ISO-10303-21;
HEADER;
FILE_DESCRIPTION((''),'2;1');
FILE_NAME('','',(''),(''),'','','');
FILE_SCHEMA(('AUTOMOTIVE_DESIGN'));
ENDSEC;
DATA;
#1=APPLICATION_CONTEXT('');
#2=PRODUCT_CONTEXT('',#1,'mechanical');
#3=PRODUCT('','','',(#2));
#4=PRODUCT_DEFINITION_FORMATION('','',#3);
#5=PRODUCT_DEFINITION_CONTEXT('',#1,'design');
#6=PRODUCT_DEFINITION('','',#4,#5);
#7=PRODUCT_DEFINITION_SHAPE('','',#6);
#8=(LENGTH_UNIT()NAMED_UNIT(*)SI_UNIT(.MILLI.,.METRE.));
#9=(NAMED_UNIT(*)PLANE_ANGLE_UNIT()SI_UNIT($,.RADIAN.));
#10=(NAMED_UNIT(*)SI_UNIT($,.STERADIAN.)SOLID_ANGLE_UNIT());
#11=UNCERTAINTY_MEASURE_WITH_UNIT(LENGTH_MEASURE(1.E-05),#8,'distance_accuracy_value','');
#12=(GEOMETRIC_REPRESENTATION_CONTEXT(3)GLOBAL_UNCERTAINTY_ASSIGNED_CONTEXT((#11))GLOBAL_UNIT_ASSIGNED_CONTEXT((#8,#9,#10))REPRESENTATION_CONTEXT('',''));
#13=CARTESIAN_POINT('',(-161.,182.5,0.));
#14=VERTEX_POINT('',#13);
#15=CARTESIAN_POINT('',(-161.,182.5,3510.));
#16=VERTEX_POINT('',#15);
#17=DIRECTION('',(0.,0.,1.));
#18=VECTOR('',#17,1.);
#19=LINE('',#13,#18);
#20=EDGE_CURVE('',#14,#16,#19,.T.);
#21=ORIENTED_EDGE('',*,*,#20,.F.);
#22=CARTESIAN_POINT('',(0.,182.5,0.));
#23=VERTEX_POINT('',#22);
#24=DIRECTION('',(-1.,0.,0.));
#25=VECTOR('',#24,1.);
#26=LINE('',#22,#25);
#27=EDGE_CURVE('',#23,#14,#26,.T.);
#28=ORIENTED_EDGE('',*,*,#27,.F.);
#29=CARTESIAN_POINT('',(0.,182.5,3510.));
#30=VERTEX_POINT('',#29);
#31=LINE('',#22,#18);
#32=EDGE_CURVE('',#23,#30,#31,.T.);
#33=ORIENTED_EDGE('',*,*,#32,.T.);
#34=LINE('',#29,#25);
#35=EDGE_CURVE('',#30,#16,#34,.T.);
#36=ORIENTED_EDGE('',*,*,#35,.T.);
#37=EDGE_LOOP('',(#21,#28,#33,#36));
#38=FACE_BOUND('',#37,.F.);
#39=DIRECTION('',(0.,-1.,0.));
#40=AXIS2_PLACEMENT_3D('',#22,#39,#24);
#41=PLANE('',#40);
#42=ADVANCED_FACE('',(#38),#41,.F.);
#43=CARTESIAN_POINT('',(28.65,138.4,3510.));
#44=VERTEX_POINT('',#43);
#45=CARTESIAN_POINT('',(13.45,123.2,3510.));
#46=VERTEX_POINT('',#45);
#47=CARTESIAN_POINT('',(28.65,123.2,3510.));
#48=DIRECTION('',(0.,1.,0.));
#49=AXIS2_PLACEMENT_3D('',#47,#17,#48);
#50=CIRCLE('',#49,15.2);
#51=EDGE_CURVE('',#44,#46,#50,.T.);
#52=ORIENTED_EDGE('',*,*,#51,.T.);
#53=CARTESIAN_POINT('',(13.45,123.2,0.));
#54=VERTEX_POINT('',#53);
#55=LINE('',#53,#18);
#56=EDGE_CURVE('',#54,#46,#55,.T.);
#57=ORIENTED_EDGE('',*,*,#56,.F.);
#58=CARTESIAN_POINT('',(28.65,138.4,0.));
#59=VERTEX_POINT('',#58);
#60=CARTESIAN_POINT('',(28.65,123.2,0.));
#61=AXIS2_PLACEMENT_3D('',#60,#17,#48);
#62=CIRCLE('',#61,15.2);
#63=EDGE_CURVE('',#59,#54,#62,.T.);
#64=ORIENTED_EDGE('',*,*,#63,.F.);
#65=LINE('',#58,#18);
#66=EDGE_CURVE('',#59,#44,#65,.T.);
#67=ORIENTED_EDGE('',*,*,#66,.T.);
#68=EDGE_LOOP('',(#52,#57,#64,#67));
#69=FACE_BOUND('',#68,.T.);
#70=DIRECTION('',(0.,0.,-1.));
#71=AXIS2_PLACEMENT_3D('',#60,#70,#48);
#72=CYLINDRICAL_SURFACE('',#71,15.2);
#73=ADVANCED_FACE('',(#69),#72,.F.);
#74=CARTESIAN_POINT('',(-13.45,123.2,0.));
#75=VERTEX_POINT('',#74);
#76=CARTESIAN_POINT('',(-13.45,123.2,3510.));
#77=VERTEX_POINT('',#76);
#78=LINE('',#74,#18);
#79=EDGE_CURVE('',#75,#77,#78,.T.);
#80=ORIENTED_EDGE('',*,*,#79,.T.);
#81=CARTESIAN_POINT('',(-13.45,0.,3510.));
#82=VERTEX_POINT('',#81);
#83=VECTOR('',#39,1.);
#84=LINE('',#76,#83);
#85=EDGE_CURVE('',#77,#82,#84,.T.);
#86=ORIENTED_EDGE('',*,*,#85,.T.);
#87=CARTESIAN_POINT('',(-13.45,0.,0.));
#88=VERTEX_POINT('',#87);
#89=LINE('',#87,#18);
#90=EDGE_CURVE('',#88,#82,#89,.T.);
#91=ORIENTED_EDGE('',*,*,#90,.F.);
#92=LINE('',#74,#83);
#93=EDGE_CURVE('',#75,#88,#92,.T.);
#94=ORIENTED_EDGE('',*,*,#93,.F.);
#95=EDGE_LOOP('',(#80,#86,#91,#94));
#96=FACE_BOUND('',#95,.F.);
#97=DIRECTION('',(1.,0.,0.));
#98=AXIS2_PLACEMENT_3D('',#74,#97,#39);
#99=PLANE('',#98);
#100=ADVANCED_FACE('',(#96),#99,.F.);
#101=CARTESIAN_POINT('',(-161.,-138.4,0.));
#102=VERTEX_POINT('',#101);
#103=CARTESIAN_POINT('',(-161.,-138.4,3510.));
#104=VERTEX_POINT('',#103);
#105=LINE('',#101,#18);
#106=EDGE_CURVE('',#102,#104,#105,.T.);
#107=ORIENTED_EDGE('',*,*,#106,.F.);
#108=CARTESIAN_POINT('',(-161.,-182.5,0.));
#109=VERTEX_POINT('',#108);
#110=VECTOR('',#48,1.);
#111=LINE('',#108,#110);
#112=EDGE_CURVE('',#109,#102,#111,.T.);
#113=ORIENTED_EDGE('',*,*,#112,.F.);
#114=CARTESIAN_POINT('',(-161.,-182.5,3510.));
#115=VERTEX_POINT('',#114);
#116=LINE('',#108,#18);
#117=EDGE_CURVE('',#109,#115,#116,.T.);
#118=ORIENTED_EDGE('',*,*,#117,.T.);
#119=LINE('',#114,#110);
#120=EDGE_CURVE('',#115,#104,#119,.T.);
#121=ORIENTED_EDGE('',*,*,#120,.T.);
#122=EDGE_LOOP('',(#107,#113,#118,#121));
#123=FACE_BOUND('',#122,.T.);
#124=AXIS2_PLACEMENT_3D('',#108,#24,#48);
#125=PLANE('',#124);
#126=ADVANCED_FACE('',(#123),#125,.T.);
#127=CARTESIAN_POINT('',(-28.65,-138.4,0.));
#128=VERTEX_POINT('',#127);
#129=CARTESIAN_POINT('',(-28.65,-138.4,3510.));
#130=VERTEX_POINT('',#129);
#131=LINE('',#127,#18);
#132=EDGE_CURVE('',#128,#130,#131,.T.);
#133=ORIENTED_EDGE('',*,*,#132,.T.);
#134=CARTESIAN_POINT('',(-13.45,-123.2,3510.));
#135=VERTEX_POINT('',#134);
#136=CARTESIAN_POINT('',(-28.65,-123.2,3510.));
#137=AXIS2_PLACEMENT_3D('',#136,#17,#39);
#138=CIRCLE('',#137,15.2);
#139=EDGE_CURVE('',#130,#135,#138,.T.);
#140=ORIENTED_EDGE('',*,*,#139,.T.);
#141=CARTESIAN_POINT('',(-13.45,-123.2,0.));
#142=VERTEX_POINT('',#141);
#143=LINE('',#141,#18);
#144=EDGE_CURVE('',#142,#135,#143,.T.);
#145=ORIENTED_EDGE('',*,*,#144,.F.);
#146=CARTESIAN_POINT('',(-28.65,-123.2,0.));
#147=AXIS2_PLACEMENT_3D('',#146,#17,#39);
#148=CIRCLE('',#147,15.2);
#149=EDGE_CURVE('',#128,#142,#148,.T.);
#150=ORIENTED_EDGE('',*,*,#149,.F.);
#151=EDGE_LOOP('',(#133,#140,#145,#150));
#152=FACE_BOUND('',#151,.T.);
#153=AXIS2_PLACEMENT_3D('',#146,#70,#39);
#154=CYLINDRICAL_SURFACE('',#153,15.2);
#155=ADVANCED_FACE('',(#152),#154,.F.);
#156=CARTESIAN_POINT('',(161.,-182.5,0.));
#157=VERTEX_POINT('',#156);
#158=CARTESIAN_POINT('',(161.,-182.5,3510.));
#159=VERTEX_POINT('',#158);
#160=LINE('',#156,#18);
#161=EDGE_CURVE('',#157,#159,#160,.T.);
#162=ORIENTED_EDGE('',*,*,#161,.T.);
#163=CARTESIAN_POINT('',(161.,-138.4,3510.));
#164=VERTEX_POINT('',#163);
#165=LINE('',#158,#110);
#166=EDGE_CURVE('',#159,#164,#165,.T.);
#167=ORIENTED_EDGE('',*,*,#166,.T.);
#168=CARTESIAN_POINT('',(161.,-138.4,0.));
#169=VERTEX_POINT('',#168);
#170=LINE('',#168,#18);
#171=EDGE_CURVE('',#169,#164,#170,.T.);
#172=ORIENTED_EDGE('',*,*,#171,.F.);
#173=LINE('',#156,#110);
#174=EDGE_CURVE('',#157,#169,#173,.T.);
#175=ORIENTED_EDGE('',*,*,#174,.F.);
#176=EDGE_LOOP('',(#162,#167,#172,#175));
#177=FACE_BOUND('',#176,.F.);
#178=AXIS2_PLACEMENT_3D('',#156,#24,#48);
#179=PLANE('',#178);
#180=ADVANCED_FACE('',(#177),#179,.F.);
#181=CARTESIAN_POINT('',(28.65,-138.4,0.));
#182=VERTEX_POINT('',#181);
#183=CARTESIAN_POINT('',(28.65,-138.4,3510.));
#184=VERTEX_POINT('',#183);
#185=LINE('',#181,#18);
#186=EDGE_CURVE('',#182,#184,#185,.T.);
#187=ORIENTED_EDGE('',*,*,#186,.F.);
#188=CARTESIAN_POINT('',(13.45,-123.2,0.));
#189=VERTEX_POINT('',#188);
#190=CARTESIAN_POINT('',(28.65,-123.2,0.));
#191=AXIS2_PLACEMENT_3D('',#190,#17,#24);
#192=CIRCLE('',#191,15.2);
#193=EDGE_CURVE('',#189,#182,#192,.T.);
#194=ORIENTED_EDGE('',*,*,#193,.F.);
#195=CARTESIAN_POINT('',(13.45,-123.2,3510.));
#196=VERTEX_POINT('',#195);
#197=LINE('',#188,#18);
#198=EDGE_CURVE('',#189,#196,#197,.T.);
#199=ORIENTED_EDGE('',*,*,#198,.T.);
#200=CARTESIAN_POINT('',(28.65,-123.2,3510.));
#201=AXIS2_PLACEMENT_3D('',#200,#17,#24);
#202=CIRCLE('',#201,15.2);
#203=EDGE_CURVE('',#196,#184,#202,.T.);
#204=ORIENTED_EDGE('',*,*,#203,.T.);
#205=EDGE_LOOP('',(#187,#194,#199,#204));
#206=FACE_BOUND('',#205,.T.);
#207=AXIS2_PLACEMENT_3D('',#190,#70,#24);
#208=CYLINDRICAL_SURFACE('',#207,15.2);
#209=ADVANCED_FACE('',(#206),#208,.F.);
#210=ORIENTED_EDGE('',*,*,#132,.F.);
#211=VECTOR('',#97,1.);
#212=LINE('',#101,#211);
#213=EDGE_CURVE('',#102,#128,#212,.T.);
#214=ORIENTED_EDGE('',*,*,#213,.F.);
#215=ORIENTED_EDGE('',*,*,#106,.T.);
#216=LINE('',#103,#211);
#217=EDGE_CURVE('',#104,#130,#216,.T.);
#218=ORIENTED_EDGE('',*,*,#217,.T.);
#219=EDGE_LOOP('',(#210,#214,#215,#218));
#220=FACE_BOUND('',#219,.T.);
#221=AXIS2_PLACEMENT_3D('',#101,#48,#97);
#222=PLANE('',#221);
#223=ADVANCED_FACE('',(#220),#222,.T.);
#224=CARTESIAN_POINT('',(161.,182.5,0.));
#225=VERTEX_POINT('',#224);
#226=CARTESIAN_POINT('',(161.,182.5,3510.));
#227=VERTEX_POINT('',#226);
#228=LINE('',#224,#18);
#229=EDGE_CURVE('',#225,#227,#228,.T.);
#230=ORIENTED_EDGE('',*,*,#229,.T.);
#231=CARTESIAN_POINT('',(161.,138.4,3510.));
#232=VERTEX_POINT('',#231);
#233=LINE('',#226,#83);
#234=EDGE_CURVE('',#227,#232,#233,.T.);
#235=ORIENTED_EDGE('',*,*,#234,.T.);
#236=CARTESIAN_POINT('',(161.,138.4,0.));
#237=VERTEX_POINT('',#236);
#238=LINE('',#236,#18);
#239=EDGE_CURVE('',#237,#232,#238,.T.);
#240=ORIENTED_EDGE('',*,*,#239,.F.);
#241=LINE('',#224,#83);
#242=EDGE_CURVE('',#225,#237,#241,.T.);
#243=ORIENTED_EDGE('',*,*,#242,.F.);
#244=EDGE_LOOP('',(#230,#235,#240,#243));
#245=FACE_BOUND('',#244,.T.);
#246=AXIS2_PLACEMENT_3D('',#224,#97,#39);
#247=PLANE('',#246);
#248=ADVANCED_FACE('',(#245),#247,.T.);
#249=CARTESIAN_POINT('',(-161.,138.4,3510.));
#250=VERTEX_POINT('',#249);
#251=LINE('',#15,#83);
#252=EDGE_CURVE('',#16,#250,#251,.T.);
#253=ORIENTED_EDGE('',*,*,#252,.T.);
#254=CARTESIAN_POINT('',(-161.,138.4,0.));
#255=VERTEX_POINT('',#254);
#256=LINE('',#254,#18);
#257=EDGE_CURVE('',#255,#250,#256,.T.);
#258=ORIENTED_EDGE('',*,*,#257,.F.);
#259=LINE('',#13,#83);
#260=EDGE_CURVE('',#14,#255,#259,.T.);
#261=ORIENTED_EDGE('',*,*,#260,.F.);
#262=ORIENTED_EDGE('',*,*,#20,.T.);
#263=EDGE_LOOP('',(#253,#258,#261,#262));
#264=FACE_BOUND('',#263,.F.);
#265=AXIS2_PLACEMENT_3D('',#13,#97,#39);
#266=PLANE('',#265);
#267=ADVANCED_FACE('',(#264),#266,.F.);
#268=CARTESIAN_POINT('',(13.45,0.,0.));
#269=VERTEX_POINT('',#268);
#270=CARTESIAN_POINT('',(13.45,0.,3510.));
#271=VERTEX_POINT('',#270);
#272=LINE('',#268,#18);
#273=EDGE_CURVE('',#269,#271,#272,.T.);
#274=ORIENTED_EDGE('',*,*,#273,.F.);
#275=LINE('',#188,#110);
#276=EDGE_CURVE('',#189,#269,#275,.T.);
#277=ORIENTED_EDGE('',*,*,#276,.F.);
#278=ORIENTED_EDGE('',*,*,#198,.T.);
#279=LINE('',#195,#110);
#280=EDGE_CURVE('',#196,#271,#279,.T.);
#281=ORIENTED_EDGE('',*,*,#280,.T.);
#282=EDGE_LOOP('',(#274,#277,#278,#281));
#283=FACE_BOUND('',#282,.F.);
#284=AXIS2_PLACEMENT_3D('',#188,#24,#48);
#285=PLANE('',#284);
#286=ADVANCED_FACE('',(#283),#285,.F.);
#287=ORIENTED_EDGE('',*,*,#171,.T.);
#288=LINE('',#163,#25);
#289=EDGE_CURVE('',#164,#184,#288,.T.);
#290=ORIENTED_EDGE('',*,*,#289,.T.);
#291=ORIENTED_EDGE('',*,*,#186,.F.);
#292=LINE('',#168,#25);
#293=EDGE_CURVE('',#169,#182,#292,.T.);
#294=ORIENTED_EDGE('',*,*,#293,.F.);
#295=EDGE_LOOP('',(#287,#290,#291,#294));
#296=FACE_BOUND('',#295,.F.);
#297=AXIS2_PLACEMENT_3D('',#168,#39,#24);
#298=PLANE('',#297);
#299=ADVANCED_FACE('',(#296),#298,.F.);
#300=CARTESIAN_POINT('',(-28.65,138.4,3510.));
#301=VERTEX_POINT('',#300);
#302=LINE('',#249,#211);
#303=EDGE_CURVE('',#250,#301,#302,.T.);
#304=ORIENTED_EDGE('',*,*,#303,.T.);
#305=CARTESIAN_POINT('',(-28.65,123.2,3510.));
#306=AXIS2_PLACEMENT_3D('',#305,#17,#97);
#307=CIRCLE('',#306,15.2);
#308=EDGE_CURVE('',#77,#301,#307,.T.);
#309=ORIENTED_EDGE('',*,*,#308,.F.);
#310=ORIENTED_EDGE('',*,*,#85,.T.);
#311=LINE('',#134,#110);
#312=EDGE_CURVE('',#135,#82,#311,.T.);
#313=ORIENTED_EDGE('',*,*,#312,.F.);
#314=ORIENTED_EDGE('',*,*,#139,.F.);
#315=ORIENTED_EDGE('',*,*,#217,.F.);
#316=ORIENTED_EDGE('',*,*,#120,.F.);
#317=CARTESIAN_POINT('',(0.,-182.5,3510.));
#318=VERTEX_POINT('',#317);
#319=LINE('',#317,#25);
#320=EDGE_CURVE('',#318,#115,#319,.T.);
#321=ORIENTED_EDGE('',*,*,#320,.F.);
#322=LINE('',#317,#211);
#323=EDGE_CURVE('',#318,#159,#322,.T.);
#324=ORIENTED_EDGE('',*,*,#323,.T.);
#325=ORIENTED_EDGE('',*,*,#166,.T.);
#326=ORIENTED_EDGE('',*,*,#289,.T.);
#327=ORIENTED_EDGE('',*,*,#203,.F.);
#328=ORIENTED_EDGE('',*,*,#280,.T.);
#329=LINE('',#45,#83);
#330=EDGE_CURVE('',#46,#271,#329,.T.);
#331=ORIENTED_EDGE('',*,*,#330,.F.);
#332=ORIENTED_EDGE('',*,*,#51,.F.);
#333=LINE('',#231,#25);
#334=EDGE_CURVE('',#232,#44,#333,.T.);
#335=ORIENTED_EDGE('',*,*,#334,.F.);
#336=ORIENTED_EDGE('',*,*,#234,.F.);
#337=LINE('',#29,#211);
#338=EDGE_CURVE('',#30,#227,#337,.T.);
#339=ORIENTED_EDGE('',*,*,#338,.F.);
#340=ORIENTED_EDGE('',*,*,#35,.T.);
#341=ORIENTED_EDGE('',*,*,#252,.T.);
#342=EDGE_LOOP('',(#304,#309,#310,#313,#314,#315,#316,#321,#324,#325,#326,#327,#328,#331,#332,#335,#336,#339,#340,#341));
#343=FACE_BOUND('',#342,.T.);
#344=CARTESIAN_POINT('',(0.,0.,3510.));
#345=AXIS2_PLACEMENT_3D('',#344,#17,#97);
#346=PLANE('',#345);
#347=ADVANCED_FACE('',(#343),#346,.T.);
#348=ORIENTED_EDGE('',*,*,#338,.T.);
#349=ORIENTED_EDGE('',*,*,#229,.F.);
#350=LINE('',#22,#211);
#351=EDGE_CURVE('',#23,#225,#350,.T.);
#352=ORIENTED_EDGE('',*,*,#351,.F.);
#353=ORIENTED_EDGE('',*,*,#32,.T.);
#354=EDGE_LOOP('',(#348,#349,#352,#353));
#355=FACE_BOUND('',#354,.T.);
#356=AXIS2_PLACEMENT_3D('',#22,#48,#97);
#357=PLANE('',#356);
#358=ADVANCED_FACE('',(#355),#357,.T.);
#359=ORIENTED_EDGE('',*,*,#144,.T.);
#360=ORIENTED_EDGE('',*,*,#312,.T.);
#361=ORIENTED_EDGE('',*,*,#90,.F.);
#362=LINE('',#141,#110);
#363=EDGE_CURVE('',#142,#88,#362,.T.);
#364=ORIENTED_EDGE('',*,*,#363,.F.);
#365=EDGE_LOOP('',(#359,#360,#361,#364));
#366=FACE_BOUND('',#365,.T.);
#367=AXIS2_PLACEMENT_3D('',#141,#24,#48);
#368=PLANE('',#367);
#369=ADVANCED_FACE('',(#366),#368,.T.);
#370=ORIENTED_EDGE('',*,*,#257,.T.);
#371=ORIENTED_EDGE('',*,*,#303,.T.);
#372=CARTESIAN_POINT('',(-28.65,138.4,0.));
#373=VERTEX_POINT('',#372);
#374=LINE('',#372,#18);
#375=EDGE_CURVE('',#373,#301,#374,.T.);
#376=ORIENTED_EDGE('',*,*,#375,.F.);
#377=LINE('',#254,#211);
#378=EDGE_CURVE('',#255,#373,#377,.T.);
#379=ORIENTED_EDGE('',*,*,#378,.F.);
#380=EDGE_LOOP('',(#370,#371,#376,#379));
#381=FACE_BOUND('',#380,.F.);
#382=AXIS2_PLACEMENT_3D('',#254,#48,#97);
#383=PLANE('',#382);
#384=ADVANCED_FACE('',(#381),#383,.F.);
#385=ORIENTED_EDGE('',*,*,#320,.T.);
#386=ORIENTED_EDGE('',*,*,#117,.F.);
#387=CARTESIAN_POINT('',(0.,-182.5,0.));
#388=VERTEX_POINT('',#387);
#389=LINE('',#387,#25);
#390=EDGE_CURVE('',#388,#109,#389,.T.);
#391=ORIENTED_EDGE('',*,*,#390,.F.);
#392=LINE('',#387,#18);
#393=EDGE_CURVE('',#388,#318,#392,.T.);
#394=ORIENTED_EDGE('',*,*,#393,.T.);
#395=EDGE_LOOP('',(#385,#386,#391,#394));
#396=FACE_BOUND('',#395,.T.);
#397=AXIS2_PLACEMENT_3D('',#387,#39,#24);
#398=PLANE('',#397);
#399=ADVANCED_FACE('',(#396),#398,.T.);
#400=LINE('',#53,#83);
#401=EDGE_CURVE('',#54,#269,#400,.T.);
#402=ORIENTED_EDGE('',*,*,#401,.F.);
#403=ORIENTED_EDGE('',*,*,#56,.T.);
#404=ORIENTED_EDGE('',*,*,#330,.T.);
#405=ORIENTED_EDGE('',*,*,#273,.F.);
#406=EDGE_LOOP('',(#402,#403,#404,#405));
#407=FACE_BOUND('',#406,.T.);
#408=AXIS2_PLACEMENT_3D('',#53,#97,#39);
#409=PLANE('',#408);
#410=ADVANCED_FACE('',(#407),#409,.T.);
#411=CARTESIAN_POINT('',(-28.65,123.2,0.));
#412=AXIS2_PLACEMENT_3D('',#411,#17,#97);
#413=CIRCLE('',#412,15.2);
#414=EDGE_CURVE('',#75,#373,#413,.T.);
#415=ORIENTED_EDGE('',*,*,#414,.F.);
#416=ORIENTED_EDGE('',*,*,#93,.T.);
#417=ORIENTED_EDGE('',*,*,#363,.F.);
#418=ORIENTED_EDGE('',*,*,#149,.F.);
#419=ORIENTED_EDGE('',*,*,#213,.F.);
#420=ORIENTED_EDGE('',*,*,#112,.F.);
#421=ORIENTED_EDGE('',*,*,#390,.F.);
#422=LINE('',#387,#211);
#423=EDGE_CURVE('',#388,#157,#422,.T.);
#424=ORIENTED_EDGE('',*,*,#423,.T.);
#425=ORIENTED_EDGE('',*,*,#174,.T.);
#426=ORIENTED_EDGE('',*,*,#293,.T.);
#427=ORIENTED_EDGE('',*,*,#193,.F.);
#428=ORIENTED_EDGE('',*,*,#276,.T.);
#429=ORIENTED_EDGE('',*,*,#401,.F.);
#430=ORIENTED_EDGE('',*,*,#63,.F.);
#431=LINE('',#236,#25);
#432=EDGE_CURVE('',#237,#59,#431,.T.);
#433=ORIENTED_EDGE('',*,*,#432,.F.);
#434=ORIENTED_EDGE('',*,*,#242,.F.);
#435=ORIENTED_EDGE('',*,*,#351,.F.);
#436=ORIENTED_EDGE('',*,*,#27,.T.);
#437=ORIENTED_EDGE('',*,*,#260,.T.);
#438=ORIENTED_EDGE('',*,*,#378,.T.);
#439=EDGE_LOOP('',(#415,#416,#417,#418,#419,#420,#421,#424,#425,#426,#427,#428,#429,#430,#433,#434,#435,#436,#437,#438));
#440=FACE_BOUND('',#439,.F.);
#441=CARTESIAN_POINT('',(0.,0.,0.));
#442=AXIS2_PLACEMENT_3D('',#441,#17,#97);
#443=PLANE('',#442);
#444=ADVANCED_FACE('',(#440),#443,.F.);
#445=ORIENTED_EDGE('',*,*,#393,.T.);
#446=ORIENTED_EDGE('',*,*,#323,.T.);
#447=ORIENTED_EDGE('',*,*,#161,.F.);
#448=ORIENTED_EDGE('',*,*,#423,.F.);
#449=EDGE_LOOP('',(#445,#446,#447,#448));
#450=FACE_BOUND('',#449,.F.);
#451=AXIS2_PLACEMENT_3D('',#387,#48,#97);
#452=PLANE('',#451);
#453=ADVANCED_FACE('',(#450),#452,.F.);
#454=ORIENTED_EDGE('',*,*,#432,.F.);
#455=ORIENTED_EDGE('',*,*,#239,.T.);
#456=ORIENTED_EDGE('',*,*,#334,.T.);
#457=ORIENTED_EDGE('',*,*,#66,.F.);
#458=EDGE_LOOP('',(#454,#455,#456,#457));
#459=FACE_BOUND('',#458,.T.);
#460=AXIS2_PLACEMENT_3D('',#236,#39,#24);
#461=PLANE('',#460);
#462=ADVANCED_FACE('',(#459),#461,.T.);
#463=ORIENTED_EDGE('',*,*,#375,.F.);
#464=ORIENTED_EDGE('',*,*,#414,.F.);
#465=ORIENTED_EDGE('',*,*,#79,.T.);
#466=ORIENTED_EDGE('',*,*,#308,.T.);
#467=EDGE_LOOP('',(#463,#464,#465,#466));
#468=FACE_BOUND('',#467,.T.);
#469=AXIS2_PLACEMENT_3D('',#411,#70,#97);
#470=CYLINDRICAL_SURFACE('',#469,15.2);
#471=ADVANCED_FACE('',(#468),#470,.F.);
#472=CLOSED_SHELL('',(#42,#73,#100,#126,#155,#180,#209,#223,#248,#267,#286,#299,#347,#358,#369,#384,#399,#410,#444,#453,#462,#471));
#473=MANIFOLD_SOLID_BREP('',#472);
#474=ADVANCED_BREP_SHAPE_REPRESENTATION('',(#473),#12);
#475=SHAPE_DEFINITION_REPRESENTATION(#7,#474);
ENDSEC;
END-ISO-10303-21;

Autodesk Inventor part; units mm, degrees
ref_plane "YZ Plane" through (0, 0, 0) normal (1, 0, 0) x (0, 1, 0)
ref_plane "Start plane" through (0, 0, 0) normal (0, 0, 1) x (1, 0, 0)
ref_plane "End plane" through (0, 0, 3510) normal (0, 0, 1) x (1, 0, 0)
sketch "Sketch" plane through (0, 0, 0) normal (0, 0, 1) x (1, 0, 0)
  line L0 (-161, -182.5) -> (-161, -138.4)
  line L1 (-161, -138.4) -> (-28.65, -138.4)
  line L2 (-13.45, -123.2) -> (-13.45, 0)
  line L3 (-13.45, 0) -> (0, 0) construction
  line L4 (0, 0) -> (0, -182.5) construction
  line L5 (0, -182.5) -> (-161, -182.5)
  line L6 (-60, 0) -> (80, 0) construction
  line L7 (0, -60) -> (0, 80) construction
  line L8 (161, -182.5) -> (161, -138.4)
  line L9 (161, -138.4) -> (28.65, -138.4)
  line L10 (13.45, -123.2) -> (13.45, 0)
  line L11 (13.45, 0) -> (0, 0) construction
  line L12 (0, -182.5) -> (161, -182.5)
  line L13 (-161, 182.5) -> (-161, 138.4)
  line L14 (-161, 138.4) -> (-28.65, 138.4)
  line L15 (-13.45, 123.2) -> (-13.45, 0)
  line L16 (0, 182.5) -> (-161, 182.5)
  line L17 (161, 182.5) -> (161, 138.4)
  line L18 (161, 138.4) -> (28.65, 138.4)
  line L19 (0, 182.5) -> (161, 182.5)
  line L20 (13.45, 123.2) -> (13.45, 0)
  arc A0 (-13.45, 123.2) -> (-28.65, 138.4) centre (-28.65, 123.2) ccw
  arc A1 (28.65, 138.4) -> (13.45, 123.2) centre (28.65, 123.2) ccw
  arc A2 (13.45, -123.2) -> (28.65, -138.4) centre (28.65, -123.2) ccw
  arc A3 (-28.65, -138.4) -> (-13.45, -123.2) centre (-28.65, -123.2) ccw
  line L21 (0, 108) -> (0, -88) construction
  line L22 (-88, 0) -> (108, 0) construction
  point P0 (-13.45, -138.4)
  point P1 (13.45, -138.4)
  point P2 (-13.45, 138.4)
  point P3 (13.45, 138.4)
  dimension "d1" = 182.5
  dimension "d2" = 44.1
  dimension "d3" = 161
  dimension "d4" = 13.45
  dimension "d10" = 15.2
extrude "Body" add sketch "Sketch" along normal up to surface (3510 mm away) from surface at 0
sketch "Sketch4" plane through (0, 0, 0) normal (0, 0, 1) x (1, 0, 0)
  line L0 (0, 0) -> (10, 0)
ref_plane "Work Plane3" through (0, 0, 0) normal (0, -1, 0) x (1, 0, 0)
sketch "Sketch5" plane through (0, 0, 0) normal (0, -1, 0) x (1, 0, 0)
  line L0 (-2, 0) -> (12, 0) projected
  line L1 (-2, 3510) -> (12, 3510) projected
  dimension "d14" = 3510
equation "\"d1\" = 0.5 * G_H"
equation "\"d2\" = G_T1"
equation "\"d3\" = 0.5 * G_W"
equation "\"d4\" = 0.5 * G_T"
equation "\"d10\" = G_IR"
equation "\"d5\" = G_L"
equation "\"G_W\" = 322"
equation "\"G_H\" = 365"
equation "\"G_T\" = 26.9"
equation "\"G_T1\" = 44.1"
equation "\"G_IR\" = 15.2"
equation "\"G_L\" = d14"
equation "\"G_OFFSET_START\" = 0"
equation "\"G_OFFSET_END\" = 0"
properties part number "AS 3679 - 310 UC - 283 - 3510" material "Steel, Mild"
